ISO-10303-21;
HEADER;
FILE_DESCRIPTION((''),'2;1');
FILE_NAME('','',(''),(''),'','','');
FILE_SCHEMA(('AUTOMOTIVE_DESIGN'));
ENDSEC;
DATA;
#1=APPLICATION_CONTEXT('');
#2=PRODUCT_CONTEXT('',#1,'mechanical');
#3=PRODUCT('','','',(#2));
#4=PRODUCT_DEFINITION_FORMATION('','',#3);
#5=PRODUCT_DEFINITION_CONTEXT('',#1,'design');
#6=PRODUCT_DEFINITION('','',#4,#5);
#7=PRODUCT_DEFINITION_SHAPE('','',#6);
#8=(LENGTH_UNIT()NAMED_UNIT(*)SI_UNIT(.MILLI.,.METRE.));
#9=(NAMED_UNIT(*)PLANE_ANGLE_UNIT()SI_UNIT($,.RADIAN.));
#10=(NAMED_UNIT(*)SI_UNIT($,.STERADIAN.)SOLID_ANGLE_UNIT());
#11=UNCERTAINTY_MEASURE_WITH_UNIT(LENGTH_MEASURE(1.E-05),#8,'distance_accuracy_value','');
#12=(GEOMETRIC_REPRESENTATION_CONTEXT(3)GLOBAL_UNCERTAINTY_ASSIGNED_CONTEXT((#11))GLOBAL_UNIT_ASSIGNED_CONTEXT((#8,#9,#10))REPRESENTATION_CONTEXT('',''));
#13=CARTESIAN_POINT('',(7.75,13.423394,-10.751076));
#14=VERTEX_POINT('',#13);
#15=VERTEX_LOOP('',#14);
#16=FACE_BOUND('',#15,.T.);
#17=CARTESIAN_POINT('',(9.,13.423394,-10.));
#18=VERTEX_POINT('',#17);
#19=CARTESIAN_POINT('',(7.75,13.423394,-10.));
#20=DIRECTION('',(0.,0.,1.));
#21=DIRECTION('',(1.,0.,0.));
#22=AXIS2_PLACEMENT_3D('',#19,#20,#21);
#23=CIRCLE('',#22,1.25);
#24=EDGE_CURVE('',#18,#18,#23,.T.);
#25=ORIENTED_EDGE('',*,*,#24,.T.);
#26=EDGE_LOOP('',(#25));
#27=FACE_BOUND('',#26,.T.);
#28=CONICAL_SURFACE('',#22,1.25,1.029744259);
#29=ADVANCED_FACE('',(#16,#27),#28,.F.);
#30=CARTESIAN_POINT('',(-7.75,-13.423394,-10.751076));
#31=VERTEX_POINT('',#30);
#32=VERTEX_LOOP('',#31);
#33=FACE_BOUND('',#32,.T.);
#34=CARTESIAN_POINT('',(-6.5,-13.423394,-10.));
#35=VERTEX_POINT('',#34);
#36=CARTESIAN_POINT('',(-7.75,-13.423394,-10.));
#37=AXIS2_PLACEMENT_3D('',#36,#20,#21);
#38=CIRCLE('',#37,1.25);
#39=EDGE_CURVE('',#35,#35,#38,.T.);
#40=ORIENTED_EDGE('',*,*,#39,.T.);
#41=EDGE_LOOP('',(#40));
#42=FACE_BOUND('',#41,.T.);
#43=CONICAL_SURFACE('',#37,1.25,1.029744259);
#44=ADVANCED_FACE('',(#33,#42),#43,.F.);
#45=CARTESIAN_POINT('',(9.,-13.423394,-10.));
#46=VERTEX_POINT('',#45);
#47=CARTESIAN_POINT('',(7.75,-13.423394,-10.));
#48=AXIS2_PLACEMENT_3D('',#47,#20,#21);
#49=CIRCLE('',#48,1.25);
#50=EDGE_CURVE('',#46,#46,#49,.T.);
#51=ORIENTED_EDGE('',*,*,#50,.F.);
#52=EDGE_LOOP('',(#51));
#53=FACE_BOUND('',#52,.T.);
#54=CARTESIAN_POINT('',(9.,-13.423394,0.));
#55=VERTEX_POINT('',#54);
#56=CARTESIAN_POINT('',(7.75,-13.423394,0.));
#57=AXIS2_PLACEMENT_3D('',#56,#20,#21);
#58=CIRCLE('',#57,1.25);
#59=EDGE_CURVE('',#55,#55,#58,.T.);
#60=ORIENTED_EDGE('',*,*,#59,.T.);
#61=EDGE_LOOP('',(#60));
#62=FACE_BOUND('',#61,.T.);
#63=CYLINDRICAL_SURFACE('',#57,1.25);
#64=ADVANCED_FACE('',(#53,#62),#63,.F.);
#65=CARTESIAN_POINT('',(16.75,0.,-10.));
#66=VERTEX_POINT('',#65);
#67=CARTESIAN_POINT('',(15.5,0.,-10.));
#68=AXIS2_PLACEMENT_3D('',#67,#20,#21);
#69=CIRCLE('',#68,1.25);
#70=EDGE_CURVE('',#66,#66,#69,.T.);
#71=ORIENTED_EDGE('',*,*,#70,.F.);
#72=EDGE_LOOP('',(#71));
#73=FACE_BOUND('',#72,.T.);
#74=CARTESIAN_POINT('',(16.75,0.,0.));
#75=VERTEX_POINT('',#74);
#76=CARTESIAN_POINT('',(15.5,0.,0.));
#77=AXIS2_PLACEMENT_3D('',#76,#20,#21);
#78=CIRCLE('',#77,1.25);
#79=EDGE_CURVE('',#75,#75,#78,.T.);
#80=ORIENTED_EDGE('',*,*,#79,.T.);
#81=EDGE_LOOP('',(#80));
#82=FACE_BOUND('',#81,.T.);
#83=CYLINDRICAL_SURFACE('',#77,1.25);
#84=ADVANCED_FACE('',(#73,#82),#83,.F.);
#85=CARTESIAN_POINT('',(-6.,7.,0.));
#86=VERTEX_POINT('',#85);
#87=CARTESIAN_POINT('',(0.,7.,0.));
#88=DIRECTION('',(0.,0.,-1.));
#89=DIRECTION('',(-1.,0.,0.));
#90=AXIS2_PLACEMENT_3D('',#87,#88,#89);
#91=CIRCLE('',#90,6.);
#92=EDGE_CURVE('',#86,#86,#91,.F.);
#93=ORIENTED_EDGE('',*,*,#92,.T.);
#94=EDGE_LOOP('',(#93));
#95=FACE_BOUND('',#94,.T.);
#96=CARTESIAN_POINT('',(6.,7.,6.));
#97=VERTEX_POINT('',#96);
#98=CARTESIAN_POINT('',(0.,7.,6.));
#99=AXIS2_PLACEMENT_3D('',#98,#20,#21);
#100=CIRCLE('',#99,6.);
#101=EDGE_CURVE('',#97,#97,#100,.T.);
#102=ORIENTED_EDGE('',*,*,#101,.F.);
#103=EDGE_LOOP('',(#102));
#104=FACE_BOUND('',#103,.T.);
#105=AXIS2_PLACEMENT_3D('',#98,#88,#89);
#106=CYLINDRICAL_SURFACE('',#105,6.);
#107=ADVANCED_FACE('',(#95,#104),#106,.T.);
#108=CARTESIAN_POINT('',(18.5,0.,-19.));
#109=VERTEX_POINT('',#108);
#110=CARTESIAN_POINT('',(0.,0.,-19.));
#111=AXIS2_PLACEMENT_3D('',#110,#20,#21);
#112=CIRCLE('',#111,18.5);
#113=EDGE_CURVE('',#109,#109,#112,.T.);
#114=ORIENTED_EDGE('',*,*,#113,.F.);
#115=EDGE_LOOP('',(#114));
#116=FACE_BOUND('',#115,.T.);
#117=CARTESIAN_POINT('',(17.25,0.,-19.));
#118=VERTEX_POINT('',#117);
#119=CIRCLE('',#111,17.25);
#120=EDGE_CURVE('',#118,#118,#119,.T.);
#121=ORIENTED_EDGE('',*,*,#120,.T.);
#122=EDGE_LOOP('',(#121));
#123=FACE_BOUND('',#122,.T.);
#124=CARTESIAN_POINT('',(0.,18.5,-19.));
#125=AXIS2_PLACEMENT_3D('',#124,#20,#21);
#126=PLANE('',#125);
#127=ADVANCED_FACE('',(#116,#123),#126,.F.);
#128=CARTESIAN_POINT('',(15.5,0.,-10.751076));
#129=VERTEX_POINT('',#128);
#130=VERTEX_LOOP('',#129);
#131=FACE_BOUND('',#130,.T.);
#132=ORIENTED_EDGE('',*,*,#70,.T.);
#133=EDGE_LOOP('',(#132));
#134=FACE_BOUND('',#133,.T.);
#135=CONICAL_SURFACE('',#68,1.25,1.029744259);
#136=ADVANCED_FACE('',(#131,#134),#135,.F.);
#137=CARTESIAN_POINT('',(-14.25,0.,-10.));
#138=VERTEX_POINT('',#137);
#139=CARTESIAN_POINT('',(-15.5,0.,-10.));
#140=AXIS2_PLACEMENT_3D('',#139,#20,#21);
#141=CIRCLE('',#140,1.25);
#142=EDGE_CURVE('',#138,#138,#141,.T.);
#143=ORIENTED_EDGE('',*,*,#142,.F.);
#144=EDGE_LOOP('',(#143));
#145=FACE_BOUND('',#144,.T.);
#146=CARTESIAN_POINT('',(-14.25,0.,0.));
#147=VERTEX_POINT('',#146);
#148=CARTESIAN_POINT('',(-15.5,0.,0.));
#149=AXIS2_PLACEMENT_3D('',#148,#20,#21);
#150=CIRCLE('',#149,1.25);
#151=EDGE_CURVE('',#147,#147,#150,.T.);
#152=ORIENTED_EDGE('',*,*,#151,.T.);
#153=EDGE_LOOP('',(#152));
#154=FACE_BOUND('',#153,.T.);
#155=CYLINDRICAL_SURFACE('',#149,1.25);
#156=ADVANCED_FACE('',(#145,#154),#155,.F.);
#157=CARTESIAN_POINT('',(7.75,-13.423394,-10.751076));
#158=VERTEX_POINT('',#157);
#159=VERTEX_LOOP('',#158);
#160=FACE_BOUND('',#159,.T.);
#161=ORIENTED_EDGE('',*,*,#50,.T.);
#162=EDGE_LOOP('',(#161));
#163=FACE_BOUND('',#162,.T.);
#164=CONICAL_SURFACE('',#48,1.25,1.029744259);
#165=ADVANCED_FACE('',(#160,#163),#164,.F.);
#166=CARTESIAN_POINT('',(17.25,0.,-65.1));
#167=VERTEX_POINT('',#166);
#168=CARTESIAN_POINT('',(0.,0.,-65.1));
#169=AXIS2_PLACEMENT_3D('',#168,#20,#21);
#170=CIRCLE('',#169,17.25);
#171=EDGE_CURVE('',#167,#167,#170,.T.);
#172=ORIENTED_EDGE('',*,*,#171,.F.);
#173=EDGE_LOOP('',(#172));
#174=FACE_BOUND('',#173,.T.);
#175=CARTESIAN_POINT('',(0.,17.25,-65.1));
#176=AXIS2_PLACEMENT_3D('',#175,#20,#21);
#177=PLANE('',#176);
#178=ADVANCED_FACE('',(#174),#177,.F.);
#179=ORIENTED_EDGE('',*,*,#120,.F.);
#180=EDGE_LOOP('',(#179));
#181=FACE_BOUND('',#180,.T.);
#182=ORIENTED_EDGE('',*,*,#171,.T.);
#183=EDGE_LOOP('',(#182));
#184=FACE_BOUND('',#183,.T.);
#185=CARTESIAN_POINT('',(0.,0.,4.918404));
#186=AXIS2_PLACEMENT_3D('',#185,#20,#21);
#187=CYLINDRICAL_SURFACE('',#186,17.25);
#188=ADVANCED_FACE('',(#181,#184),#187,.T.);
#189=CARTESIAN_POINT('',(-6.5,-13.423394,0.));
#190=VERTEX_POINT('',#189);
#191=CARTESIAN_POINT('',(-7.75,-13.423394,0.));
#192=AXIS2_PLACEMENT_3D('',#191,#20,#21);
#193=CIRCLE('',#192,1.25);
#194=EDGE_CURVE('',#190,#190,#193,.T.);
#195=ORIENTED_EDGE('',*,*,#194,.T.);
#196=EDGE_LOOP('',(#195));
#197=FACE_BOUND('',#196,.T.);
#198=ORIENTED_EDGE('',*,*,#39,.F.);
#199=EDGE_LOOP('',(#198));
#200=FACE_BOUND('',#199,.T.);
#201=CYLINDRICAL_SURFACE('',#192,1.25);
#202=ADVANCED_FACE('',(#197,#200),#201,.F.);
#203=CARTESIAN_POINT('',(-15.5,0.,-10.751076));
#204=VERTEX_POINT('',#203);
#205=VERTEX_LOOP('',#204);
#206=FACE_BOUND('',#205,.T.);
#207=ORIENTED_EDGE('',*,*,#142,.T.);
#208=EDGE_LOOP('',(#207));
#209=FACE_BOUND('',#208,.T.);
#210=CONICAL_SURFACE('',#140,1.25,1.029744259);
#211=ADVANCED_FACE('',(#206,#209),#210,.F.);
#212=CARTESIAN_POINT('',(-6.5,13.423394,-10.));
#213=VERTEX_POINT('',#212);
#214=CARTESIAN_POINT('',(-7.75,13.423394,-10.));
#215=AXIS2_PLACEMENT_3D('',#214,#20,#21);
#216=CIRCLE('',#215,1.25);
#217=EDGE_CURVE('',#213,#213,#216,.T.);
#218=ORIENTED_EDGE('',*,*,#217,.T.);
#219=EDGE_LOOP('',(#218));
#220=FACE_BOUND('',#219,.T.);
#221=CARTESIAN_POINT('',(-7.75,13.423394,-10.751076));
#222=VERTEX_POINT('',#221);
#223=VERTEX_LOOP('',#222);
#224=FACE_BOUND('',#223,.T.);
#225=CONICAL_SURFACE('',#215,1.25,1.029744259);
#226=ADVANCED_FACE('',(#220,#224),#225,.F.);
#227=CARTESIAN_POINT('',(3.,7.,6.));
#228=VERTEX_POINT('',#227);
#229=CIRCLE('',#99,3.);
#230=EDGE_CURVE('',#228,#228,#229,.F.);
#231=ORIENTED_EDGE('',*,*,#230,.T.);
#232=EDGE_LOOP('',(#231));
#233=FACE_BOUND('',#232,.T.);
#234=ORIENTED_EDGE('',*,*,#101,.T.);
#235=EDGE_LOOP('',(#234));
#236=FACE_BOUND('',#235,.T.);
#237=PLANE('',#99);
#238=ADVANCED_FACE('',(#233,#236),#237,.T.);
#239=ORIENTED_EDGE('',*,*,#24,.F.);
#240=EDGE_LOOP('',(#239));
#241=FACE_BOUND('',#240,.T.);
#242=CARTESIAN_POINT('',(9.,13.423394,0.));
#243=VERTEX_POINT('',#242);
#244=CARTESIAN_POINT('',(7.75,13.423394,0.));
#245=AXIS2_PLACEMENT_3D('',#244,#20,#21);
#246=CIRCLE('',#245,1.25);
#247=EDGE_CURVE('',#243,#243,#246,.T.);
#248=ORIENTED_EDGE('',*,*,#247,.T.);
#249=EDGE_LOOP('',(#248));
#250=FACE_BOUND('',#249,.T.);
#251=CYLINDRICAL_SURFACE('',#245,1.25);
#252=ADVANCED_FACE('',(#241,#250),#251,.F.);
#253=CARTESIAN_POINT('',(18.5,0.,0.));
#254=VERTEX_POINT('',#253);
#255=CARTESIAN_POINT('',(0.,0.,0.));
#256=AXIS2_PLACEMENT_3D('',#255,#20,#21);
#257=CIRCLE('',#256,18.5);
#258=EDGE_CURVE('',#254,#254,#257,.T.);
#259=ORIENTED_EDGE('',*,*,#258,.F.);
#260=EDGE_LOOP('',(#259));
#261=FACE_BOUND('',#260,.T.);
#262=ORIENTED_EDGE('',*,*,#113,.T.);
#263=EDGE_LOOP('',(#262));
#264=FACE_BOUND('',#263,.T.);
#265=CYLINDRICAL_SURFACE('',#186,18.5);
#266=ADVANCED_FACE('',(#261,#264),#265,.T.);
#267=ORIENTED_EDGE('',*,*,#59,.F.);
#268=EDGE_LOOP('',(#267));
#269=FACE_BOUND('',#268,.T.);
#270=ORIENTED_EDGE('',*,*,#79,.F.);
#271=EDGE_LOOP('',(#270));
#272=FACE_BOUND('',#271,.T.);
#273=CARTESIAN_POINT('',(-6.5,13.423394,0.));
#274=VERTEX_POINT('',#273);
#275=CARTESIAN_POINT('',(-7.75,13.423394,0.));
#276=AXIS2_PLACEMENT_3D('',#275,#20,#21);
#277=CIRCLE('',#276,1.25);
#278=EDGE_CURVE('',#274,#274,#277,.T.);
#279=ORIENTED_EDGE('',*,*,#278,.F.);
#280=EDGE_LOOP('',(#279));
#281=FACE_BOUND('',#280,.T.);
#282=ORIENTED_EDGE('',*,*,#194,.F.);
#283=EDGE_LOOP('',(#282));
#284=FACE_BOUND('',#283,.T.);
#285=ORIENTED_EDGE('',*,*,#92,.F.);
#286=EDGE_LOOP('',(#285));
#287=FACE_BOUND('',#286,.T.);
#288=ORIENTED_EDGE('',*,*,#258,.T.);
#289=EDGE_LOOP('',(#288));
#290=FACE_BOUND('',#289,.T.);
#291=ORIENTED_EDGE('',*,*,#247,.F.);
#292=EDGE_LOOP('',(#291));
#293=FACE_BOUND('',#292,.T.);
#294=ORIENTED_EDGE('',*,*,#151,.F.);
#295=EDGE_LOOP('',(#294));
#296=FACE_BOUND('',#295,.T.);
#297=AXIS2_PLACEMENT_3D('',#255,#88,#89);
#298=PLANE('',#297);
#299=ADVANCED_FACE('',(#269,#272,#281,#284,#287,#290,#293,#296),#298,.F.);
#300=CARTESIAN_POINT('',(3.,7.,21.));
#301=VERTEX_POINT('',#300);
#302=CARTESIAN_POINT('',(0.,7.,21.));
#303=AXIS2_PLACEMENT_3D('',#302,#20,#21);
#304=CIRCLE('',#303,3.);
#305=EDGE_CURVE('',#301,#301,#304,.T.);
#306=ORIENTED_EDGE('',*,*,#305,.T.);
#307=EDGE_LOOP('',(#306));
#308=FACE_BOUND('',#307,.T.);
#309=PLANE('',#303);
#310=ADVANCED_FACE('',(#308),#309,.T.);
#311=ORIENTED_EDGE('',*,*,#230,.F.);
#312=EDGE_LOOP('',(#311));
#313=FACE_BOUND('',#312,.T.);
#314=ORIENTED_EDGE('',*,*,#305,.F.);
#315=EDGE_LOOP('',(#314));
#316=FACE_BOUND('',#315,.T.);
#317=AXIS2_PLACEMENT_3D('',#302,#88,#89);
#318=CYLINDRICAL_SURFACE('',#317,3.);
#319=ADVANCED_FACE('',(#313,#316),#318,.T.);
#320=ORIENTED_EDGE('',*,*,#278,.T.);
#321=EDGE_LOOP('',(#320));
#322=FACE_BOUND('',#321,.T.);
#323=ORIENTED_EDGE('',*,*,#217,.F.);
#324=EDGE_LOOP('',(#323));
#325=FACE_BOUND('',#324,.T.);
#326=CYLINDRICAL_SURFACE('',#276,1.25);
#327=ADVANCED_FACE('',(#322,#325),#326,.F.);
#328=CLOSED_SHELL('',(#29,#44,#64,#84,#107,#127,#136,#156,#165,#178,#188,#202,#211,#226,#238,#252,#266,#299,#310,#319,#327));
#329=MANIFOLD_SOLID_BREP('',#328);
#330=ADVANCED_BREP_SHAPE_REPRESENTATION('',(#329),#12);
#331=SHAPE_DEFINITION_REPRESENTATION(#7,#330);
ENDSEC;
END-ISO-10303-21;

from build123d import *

# Parameters (mm, degrees)
SKETCH4_R                       = 6
BOSS_EXTRUDE3_DEPTH             = 6
SKETCH4_3_R                     = 3
BOSS_EXTRUDE4_DEPTH             = 21
TAP_DRILL_FOR_M3X0_5_TAP1_D     = 2.5
TAP_DRILL_FOR_M3X0_5_TAP1_DEPTH = 10
TAP_DRILL_FOR_M3X0_5_TAP1_TIP   = 0.751075774


with BuildPart() as part:
    # Sketch3 → Revolve1 (revolve)
    with BuildSketch(Plane(origin=(0, 0, 0), x_dir=(0, 0, -1), z_dir=(1, 0, 0))):
        Polygon((0, 0), (0, 18.5), (19, 18.5), (19, 17.25), (49.8, 17.25), (65.1, 17.25), (65.1, 0), align=None)
    revolve(axis=Axis((0, 0, 4.918404278), (0, 0, -1)))

    # Sketch4 → Boss-Extrude3 (add)
    with BuildSketch(Plane.XY):
        with Locations((0, 7)):
            Circle(SKETCH4_R)
    extrude(amount=BOSS_EXTRUDE3_DEPTH)

    # Sketch4<3> → Boss-Extrude4 (add)
    with BuildSketch(Plane.XY):
        with Locations((0, 7)):
            Circle(SKETCH4_3_R)
    extrude(amount=BOSS_EXTRUDE4_DEPTH)

    # Tap Drill for M3x0.5 Tap1
    with Locations(Plane.XY):
        with Locations((-15.5, 0), (-7.75, 13.423393759), (7.75, 13.423393759), (15.5, 0), (7.75, -13.423393759), (-7.75, -13.423393759)):
            Hole(TAP_DRILL_FOR_M3X0_5_TAP1_D / 2, depth=TAP_DRILL_FOR_M3X0_5_TAP1_DEPTH)
            with Locations((0, 0, -(TAP_DRILL_FOR_M3X0_5_TAP1_DEPTH + TAP_DRILL_FOR_M3X0_5_TAP1_TIP / 2))):  # 118° drill point
                Cone(0, TAP_DRILL_FOR_M3X0_5_TAP1_D / 2, TAP_DRILL_FOR_M3X0_5_TAP1_TIP, mode=Mode.SUBTRACT)


solid = part.part
